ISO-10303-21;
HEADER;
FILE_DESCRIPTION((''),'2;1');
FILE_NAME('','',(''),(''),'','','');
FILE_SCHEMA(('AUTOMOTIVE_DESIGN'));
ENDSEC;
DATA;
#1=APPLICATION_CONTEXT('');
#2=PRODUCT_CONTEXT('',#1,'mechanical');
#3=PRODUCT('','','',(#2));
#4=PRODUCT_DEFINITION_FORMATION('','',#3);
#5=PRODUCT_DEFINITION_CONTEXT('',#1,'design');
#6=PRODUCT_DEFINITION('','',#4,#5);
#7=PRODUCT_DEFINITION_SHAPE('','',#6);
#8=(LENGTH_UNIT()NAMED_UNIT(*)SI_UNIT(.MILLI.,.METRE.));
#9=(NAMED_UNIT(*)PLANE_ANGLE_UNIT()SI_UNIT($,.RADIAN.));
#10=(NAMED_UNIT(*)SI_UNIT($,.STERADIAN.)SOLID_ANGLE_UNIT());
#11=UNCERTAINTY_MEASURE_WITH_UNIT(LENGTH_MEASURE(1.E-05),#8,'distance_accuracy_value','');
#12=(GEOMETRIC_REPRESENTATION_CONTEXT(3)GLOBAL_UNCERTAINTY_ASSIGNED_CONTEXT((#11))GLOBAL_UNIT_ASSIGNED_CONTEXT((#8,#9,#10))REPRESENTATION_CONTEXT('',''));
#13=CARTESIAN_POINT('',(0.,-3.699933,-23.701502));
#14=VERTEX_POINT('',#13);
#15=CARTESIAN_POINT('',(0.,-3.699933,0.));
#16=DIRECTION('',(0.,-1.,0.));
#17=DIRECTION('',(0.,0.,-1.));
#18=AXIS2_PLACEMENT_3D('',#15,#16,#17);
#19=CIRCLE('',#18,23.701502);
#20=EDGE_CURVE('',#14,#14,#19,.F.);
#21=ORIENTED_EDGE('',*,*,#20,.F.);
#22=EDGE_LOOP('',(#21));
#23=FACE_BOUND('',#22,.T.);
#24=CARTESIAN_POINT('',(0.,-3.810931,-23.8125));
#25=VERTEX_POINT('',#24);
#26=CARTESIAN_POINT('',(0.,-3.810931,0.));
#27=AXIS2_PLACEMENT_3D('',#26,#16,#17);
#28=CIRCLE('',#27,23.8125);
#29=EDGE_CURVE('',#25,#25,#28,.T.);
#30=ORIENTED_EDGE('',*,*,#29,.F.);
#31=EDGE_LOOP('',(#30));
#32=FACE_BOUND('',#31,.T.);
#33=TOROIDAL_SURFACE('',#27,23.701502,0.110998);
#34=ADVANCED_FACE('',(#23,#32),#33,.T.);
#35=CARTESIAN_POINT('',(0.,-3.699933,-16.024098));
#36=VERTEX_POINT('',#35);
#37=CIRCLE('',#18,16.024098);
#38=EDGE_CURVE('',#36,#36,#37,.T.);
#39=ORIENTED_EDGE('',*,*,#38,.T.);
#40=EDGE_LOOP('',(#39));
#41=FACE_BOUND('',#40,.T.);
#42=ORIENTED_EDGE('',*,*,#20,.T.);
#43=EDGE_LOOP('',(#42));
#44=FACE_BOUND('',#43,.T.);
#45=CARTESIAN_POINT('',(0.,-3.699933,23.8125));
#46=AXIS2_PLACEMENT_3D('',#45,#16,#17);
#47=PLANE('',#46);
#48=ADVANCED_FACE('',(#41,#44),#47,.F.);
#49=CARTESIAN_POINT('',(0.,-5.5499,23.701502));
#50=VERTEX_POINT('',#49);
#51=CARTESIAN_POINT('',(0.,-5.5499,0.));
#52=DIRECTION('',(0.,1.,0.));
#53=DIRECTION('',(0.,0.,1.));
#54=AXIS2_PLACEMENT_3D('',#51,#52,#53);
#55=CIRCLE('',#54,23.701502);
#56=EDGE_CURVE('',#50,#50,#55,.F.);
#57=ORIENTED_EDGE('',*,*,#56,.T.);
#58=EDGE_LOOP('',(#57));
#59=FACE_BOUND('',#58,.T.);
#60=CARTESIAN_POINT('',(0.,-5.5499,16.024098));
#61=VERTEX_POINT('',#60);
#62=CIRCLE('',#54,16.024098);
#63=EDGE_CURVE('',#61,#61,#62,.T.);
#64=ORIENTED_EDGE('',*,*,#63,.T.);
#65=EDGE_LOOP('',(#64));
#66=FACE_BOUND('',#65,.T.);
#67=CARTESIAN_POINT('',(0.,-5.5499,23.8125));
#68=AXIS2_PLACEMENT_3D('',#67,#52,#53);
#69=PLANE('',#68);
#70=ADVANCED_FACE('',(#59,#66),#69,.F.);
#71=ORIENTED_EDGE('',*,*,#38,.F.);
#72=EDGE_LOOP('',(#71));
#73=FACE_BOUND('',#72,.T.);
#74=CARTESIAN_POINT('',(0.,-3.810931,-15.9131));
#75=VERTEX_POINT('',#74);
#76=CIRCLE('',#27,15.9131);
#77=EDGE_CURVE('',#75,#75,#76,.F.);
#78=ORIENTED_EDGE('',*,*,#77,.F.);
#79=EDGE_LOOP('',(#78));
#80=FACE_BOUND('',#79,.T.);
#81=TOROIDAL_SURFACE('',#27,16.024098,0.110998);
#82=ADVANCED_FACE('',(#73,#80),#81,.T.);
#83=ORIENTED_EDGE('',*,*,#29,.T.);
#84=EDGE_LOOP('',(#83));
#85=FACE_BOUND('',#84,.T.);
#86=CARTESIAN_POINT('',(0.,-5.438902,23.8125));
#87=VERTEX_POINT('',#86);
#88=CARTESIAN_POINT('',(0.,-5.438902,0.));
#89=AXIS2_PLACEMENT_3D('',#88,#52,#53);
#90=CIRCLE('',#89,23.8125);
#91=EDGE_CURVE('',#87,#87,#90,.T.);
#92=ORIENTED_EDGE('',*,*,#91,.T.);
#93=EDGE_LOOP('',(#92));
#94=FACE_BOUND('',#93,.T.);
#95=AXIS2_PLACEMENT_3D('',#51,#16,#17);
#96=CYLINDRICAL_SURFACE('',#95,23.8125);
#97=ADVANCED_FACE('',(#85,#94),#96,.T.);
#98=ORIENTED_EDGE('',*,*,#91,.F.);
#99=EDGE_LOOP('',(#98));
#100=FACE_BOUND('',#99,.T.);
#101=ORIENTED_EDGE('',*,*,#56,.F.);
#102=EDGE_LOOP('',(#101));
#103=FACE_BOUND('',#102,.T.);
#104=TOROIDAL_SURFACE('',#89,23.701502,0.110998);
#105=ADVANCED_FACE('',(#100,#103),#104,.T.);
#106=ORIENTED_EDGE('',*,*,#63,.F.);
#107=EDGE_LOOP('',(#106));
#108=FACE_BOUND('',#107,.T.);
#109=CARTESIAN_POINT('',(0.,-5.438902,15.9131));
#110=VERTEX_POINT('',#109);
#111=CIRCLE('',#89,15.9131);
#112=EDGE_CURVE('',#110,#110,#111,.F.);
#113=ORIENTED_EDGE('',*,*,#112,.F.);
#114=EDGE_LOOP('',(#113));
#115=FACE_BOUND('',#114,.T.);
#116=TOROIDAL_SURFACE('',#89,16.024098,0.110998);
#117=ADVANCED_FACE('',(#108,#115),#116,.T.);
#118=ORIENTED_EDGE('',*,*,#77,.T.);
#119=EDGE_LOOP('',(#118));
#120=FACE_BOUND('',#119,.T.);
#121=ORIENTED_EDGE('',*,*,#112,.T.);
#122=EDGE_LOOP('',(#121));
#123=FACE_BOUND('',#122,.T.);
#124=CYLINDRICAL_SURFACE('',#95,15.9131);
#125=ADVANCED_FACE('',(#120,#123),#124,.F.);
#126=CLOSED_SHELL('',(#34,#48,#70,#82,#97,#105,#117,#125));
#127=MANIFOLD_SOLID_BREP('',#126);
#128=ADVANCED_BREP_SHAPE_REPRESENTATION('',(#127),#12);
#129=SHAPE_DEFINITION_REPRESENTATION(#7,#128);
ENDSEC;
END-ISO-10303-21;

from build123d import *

# Parameters (mm, degrees)
SKETCH4_W = 7.8994
SKETCH4_H = 1.849966709
FILLET3_R = 0.110998


with BuildPart() as part:
    # Sketch4 → Revolve3 (revolve)
    with BuildSketch(Plane(origin=(0, 0, 0), x_dir=(0, 0, -1), z_dir=(1, 0, 0))):
        with Locations((-19.8628, -4.624916645)):
            Rectangle(SKETCH4_W, SKETCH4_H)
    revolve(axis=Axis((0, -5.5499, 0), (0, 1, 0)))

    # Fillet3
    fillet3_edges = [part.edges().sort_by_distance(p)[0] for p in [
        (0, -5.5499, -23.8125),
        (0, -5.5499, -15.9131),
        (0, -3.699933291, -15.9131),
        (0, -3.699933291, -23.8125),
    ]]
    fillet(fillet3_edges, radius=FILLET3_R)


solid = part.part
